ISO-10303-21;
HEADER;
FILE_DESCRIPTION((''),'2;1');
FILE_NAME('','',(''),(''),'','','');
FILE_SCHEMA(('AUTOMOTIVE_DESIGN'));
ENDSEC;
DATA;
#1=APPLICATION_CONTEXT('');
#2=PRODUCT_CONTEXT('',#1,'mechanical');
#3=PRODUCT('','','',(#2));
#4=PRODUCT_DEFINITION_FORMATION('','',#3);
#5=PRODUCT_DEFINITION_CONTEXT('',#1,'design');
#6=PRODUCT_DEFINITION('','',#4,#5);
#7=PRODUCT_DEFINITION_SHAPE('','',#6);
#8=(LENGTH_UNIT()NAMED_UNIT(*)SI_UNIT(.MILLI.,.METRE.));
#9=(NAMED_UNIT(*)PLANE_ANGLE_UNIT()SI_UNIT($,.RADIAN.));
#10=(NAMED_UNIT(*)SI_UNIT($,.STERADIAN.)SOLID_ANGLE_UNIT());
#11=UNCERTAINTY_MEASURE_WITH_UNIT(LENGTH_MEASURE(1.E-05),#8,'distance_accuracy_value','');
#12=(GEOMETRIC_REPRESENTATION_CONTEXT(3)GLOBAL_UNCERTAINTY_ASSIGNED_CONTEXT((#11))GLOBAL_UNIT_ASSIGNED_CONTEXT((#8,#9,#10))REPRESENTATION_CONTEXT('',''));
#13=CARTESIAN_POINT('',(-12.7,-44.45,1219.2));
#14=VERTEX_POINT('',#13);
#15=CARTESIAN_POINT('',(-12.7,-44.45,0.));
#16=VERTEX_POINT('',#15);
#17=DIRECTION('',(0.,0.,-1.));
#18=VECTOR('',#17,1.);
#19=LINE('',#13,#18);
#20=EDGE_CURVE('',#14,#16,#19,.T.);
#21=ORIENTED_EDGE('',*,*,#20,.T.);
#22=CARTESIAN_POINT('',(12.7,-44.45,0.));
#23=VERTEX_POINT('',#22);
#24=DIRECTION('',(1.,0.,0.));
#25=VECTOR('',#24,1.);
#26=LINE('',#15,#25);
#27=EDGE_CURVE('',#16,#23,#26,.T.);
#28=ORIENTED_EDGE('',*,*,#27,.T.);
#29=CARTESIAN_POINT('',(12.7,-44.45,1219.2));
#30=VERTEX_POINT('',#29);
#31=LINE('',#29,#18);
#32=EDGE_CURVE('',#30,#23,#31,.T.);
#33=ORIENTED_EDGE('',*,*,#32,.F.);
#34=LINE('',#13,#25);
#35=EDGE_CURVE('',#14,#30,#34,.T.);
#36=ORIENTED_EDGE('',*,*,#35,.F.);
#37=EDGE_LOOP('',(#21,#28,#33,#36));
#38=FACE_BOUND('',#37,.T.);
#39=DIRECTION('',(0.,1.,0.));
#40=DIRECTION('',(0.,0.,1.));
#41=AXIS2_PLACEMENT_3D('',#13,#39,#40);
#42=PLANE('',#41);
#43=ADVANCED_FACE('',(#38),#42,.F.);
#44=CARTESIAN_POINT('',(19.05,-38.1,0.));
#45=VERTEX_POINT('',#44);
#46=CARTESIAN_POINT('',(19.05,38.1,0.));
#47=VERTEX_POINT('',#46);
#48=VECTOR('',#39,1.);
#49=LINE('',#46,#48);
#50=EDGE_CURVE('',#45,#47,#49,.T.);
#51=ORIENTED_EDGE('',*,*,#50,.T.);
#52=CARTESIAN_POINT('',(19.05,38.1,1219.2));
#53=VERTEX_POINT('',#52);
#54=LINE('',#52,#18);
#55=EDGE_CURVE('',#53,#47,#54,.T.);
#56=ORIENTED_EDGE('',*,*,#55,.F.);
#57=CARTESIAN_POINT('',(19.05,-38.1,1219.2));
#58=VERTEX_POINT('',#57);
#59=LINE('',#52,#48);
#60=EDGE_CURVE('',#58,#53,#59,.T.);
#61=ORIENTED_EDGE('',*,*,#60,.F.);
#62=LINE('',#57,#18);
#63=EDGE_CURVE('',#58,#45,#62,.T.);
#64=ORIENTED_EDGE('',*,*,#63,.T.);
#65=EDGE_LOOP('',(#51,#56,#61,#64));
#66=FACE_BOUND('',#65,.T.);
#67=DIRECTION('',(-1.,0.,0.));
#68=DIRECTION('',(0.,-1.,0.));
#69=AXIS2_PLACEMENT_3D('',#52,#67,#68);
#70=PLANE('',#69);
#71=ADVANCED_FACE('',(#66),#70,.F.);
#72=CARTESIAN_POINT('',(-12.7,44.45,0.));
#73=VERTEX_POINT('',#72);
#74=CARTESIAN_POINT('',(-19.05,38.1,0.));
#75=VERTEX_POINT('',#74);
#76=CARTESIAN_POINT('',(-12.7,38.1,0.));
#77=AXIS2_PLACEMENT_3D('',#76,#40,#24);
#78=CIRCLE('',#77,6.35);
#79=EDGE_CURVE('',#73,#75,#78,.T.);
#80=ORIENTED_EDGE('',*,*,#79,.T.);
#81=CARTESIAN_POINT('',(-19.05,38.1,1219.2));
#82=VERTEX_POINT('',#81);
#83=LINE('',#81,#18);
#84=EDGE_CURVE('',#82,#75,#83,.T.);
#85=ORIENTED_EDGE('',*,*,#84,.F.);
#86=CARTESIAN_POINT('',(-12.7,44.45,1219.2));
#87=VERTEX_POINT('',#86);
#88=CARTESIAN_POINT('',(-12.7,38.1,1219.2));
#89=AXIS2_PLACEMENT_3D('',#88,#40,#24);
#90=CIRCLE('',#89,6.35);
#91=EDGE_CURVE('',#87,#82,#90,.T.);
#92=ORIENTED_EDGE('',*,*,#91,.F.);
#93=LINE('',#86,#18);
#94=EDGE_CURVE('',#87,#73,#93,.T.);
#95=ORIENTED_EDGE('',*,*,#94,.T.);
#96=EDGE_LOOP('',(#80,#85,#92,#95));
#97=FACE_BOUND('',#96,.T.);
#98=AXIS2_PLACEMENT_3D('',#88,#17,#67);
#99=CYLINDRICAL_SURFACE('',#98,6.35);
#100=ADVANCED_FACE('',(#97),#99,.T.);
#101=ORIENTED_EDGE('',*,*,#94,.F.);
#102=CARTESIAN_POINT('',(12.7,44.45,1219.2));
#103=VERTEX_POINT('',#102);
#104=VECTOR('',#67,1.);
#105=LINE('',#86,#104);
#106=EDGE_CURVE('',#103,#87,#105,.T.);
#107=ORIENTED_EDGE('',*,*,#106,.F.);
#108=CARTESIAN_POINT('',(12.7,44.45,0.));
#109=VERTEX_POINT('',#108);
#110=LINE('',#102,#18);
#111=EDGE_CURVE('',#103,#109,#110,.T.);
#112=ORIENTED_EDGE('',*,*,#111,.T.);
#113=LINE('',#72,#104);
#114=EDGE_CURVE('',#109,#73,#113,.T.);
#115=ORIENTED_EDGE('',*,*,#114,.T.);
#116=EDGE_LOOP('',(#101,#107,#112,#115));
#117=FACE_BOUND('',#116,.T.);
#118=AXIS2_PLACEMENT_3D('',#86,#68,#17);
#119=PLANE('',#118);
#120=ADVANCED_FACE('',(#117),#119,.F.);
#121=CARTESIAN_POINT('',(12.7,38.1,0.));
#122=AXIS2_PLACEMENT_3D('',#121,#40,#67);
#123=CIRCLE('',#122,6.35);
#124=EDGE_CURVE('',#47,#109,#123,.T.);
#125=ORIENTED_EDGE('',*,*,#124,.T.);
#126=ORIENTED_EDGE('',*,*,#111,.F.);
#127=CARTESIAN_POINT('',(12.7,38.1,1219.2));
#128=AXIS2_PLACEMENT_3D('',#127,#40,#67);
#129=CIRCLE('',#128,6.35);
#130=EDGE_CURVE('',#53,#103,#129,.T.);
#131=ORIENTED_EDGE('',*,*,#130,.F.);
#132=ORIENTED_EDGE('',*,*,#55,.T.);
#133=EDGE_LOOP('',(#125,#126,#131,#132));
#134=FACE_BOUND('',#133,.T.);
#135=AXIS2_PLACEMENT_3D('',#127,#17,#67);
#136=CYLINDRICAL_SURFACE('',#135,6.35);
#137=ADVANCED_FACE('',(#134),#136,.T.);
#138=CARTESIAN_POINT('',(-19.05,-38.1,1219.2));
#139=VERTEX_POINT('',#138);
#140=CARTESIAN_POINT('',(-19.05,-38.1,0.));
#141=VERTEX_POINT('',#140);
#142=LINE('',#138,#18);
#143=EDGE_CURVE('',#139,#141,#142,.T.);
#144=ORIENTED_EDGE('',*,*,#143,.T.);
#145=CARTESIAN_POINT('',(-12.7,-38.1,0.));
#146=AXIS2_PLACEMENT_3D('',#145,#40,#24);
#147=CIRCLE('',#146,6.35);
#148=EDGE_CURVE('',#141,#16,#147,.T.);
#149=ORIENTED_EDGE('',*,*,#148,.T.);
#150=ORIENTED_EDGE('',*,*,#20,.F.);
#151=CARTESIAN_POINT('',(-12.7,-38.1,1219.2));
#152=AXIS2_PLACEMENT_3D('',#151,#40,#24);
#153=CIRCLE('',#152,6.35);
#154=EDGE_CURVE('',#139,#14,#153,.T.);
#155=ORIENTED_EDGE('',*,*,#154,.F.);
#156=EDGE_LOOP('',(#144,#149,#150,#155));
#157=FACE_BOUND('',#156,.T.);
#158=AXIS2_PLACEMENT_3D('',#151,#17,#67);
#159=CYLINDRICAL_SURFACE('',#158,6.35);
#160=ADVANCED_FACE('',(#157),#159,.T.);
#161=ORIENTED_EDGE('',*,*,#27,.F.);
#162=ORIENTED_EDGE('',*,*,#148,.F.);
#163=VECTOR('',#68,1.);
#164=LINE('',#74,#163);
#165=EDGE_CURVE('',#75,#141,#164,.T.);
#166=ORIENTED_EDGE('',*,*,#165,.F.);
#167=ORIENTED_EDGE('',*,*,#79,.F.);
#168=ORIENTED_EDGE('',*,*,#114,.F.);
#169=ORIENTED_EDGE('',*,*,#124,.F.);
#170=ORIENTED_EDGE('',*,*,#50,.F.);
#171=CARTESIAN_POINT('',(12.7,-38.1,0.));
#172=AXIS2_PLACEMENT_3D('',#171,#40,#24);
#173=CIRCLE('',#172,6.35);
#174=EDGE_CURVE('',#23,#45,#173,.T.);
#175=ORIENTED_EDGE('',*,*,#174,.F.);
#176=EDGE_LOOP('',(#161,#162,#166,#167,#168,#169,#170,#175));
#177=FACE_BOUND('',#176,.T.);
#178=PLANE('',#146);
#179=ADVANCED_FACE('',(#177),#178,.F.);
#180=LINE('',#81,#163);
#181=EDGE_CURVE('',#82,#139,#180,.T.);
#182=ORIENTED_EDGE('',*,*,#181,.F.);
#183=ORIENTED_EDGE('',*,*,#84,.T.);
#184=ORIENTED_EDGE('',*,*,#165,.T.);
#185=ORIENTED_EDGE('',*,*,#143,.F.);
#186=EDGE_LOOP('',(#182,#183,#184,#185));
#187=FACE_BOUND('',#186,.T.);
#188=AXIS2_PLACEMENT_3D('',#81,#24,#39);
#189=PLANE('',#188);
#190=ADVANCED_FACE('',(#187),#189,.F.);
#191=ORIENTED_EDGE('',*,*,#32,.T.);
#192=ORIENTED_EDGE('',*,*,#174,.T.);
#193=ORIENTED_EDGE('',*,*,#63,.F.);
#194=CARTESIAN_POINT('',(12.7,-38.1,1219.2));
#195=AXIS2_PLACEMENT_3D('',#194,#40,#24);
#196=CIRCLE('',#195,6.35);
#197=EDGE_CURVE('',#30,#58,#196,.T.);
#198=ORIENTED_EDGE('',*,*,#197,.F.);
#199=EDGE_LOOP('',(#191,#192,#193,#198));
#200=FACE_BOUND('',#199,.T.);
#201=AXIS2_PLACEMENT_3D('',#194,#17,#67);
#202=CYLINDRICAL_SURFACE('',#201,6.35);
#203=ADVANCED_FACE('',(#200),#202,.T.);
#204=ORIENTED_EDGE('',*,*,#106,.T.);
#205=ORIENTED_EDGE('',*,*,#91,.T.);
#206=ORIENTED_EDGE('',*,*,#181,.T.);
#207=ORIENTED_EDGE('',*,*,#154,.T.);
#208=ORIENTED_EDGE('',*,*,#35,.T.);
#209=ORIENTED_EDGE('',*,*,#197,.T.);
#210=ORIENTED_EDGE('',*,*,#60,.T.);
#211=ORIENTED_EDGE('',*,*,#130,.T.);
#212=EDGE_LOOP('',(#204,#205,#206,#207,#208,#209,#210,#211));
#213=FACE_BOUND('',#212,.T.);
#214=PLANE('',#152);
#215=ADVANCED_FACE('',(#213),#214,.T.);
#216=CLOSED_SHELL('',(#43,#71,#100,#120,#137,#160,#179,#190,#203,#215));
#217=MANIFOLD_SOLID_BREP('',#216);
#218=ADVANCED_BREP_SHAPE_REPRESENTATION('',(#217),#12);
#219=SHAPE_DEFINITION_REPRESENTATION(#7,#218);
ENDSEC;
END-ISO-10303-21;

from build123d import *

# Parameters (mm, degrees)
BOSS_EXTRUDE1_DEPTH = 1219.2


with BuildPart() as part:
    # Sketch2 → Boss-Extrude1 (new body)
    with BuildSketch(Plane.XY):
        with BuildLine():
            Line((-12.7, 44.45), (12.7, 44.45))
            ThreePointArc((12.7, 44.45), (17.190128061, 42.590128061), (19.05, 38.1))
            Line((19.05, 38.1), (19.05, -38.1))
            ThreePointArc((19.05, -38.1), (17.190128061, -42.590128061), (12.7, -44.45))
            Line((12.7, -44.45), (-12.7, -44.45))
            ThreePointArc((-12.7, -44.45), (-17.190128061, -42.590128061), (-19.05, -38.1))
            Line((-19.05, -38.1), (-19.05, 38.1))
            ThreePointArc((-19.05, 38.1), (-17.190128061, 42.590128061), (-12.7, 44.45))
        make_face()
    extrude(amount=BOSS_EXTRUDE1_DEPTH)


solid = part.part
